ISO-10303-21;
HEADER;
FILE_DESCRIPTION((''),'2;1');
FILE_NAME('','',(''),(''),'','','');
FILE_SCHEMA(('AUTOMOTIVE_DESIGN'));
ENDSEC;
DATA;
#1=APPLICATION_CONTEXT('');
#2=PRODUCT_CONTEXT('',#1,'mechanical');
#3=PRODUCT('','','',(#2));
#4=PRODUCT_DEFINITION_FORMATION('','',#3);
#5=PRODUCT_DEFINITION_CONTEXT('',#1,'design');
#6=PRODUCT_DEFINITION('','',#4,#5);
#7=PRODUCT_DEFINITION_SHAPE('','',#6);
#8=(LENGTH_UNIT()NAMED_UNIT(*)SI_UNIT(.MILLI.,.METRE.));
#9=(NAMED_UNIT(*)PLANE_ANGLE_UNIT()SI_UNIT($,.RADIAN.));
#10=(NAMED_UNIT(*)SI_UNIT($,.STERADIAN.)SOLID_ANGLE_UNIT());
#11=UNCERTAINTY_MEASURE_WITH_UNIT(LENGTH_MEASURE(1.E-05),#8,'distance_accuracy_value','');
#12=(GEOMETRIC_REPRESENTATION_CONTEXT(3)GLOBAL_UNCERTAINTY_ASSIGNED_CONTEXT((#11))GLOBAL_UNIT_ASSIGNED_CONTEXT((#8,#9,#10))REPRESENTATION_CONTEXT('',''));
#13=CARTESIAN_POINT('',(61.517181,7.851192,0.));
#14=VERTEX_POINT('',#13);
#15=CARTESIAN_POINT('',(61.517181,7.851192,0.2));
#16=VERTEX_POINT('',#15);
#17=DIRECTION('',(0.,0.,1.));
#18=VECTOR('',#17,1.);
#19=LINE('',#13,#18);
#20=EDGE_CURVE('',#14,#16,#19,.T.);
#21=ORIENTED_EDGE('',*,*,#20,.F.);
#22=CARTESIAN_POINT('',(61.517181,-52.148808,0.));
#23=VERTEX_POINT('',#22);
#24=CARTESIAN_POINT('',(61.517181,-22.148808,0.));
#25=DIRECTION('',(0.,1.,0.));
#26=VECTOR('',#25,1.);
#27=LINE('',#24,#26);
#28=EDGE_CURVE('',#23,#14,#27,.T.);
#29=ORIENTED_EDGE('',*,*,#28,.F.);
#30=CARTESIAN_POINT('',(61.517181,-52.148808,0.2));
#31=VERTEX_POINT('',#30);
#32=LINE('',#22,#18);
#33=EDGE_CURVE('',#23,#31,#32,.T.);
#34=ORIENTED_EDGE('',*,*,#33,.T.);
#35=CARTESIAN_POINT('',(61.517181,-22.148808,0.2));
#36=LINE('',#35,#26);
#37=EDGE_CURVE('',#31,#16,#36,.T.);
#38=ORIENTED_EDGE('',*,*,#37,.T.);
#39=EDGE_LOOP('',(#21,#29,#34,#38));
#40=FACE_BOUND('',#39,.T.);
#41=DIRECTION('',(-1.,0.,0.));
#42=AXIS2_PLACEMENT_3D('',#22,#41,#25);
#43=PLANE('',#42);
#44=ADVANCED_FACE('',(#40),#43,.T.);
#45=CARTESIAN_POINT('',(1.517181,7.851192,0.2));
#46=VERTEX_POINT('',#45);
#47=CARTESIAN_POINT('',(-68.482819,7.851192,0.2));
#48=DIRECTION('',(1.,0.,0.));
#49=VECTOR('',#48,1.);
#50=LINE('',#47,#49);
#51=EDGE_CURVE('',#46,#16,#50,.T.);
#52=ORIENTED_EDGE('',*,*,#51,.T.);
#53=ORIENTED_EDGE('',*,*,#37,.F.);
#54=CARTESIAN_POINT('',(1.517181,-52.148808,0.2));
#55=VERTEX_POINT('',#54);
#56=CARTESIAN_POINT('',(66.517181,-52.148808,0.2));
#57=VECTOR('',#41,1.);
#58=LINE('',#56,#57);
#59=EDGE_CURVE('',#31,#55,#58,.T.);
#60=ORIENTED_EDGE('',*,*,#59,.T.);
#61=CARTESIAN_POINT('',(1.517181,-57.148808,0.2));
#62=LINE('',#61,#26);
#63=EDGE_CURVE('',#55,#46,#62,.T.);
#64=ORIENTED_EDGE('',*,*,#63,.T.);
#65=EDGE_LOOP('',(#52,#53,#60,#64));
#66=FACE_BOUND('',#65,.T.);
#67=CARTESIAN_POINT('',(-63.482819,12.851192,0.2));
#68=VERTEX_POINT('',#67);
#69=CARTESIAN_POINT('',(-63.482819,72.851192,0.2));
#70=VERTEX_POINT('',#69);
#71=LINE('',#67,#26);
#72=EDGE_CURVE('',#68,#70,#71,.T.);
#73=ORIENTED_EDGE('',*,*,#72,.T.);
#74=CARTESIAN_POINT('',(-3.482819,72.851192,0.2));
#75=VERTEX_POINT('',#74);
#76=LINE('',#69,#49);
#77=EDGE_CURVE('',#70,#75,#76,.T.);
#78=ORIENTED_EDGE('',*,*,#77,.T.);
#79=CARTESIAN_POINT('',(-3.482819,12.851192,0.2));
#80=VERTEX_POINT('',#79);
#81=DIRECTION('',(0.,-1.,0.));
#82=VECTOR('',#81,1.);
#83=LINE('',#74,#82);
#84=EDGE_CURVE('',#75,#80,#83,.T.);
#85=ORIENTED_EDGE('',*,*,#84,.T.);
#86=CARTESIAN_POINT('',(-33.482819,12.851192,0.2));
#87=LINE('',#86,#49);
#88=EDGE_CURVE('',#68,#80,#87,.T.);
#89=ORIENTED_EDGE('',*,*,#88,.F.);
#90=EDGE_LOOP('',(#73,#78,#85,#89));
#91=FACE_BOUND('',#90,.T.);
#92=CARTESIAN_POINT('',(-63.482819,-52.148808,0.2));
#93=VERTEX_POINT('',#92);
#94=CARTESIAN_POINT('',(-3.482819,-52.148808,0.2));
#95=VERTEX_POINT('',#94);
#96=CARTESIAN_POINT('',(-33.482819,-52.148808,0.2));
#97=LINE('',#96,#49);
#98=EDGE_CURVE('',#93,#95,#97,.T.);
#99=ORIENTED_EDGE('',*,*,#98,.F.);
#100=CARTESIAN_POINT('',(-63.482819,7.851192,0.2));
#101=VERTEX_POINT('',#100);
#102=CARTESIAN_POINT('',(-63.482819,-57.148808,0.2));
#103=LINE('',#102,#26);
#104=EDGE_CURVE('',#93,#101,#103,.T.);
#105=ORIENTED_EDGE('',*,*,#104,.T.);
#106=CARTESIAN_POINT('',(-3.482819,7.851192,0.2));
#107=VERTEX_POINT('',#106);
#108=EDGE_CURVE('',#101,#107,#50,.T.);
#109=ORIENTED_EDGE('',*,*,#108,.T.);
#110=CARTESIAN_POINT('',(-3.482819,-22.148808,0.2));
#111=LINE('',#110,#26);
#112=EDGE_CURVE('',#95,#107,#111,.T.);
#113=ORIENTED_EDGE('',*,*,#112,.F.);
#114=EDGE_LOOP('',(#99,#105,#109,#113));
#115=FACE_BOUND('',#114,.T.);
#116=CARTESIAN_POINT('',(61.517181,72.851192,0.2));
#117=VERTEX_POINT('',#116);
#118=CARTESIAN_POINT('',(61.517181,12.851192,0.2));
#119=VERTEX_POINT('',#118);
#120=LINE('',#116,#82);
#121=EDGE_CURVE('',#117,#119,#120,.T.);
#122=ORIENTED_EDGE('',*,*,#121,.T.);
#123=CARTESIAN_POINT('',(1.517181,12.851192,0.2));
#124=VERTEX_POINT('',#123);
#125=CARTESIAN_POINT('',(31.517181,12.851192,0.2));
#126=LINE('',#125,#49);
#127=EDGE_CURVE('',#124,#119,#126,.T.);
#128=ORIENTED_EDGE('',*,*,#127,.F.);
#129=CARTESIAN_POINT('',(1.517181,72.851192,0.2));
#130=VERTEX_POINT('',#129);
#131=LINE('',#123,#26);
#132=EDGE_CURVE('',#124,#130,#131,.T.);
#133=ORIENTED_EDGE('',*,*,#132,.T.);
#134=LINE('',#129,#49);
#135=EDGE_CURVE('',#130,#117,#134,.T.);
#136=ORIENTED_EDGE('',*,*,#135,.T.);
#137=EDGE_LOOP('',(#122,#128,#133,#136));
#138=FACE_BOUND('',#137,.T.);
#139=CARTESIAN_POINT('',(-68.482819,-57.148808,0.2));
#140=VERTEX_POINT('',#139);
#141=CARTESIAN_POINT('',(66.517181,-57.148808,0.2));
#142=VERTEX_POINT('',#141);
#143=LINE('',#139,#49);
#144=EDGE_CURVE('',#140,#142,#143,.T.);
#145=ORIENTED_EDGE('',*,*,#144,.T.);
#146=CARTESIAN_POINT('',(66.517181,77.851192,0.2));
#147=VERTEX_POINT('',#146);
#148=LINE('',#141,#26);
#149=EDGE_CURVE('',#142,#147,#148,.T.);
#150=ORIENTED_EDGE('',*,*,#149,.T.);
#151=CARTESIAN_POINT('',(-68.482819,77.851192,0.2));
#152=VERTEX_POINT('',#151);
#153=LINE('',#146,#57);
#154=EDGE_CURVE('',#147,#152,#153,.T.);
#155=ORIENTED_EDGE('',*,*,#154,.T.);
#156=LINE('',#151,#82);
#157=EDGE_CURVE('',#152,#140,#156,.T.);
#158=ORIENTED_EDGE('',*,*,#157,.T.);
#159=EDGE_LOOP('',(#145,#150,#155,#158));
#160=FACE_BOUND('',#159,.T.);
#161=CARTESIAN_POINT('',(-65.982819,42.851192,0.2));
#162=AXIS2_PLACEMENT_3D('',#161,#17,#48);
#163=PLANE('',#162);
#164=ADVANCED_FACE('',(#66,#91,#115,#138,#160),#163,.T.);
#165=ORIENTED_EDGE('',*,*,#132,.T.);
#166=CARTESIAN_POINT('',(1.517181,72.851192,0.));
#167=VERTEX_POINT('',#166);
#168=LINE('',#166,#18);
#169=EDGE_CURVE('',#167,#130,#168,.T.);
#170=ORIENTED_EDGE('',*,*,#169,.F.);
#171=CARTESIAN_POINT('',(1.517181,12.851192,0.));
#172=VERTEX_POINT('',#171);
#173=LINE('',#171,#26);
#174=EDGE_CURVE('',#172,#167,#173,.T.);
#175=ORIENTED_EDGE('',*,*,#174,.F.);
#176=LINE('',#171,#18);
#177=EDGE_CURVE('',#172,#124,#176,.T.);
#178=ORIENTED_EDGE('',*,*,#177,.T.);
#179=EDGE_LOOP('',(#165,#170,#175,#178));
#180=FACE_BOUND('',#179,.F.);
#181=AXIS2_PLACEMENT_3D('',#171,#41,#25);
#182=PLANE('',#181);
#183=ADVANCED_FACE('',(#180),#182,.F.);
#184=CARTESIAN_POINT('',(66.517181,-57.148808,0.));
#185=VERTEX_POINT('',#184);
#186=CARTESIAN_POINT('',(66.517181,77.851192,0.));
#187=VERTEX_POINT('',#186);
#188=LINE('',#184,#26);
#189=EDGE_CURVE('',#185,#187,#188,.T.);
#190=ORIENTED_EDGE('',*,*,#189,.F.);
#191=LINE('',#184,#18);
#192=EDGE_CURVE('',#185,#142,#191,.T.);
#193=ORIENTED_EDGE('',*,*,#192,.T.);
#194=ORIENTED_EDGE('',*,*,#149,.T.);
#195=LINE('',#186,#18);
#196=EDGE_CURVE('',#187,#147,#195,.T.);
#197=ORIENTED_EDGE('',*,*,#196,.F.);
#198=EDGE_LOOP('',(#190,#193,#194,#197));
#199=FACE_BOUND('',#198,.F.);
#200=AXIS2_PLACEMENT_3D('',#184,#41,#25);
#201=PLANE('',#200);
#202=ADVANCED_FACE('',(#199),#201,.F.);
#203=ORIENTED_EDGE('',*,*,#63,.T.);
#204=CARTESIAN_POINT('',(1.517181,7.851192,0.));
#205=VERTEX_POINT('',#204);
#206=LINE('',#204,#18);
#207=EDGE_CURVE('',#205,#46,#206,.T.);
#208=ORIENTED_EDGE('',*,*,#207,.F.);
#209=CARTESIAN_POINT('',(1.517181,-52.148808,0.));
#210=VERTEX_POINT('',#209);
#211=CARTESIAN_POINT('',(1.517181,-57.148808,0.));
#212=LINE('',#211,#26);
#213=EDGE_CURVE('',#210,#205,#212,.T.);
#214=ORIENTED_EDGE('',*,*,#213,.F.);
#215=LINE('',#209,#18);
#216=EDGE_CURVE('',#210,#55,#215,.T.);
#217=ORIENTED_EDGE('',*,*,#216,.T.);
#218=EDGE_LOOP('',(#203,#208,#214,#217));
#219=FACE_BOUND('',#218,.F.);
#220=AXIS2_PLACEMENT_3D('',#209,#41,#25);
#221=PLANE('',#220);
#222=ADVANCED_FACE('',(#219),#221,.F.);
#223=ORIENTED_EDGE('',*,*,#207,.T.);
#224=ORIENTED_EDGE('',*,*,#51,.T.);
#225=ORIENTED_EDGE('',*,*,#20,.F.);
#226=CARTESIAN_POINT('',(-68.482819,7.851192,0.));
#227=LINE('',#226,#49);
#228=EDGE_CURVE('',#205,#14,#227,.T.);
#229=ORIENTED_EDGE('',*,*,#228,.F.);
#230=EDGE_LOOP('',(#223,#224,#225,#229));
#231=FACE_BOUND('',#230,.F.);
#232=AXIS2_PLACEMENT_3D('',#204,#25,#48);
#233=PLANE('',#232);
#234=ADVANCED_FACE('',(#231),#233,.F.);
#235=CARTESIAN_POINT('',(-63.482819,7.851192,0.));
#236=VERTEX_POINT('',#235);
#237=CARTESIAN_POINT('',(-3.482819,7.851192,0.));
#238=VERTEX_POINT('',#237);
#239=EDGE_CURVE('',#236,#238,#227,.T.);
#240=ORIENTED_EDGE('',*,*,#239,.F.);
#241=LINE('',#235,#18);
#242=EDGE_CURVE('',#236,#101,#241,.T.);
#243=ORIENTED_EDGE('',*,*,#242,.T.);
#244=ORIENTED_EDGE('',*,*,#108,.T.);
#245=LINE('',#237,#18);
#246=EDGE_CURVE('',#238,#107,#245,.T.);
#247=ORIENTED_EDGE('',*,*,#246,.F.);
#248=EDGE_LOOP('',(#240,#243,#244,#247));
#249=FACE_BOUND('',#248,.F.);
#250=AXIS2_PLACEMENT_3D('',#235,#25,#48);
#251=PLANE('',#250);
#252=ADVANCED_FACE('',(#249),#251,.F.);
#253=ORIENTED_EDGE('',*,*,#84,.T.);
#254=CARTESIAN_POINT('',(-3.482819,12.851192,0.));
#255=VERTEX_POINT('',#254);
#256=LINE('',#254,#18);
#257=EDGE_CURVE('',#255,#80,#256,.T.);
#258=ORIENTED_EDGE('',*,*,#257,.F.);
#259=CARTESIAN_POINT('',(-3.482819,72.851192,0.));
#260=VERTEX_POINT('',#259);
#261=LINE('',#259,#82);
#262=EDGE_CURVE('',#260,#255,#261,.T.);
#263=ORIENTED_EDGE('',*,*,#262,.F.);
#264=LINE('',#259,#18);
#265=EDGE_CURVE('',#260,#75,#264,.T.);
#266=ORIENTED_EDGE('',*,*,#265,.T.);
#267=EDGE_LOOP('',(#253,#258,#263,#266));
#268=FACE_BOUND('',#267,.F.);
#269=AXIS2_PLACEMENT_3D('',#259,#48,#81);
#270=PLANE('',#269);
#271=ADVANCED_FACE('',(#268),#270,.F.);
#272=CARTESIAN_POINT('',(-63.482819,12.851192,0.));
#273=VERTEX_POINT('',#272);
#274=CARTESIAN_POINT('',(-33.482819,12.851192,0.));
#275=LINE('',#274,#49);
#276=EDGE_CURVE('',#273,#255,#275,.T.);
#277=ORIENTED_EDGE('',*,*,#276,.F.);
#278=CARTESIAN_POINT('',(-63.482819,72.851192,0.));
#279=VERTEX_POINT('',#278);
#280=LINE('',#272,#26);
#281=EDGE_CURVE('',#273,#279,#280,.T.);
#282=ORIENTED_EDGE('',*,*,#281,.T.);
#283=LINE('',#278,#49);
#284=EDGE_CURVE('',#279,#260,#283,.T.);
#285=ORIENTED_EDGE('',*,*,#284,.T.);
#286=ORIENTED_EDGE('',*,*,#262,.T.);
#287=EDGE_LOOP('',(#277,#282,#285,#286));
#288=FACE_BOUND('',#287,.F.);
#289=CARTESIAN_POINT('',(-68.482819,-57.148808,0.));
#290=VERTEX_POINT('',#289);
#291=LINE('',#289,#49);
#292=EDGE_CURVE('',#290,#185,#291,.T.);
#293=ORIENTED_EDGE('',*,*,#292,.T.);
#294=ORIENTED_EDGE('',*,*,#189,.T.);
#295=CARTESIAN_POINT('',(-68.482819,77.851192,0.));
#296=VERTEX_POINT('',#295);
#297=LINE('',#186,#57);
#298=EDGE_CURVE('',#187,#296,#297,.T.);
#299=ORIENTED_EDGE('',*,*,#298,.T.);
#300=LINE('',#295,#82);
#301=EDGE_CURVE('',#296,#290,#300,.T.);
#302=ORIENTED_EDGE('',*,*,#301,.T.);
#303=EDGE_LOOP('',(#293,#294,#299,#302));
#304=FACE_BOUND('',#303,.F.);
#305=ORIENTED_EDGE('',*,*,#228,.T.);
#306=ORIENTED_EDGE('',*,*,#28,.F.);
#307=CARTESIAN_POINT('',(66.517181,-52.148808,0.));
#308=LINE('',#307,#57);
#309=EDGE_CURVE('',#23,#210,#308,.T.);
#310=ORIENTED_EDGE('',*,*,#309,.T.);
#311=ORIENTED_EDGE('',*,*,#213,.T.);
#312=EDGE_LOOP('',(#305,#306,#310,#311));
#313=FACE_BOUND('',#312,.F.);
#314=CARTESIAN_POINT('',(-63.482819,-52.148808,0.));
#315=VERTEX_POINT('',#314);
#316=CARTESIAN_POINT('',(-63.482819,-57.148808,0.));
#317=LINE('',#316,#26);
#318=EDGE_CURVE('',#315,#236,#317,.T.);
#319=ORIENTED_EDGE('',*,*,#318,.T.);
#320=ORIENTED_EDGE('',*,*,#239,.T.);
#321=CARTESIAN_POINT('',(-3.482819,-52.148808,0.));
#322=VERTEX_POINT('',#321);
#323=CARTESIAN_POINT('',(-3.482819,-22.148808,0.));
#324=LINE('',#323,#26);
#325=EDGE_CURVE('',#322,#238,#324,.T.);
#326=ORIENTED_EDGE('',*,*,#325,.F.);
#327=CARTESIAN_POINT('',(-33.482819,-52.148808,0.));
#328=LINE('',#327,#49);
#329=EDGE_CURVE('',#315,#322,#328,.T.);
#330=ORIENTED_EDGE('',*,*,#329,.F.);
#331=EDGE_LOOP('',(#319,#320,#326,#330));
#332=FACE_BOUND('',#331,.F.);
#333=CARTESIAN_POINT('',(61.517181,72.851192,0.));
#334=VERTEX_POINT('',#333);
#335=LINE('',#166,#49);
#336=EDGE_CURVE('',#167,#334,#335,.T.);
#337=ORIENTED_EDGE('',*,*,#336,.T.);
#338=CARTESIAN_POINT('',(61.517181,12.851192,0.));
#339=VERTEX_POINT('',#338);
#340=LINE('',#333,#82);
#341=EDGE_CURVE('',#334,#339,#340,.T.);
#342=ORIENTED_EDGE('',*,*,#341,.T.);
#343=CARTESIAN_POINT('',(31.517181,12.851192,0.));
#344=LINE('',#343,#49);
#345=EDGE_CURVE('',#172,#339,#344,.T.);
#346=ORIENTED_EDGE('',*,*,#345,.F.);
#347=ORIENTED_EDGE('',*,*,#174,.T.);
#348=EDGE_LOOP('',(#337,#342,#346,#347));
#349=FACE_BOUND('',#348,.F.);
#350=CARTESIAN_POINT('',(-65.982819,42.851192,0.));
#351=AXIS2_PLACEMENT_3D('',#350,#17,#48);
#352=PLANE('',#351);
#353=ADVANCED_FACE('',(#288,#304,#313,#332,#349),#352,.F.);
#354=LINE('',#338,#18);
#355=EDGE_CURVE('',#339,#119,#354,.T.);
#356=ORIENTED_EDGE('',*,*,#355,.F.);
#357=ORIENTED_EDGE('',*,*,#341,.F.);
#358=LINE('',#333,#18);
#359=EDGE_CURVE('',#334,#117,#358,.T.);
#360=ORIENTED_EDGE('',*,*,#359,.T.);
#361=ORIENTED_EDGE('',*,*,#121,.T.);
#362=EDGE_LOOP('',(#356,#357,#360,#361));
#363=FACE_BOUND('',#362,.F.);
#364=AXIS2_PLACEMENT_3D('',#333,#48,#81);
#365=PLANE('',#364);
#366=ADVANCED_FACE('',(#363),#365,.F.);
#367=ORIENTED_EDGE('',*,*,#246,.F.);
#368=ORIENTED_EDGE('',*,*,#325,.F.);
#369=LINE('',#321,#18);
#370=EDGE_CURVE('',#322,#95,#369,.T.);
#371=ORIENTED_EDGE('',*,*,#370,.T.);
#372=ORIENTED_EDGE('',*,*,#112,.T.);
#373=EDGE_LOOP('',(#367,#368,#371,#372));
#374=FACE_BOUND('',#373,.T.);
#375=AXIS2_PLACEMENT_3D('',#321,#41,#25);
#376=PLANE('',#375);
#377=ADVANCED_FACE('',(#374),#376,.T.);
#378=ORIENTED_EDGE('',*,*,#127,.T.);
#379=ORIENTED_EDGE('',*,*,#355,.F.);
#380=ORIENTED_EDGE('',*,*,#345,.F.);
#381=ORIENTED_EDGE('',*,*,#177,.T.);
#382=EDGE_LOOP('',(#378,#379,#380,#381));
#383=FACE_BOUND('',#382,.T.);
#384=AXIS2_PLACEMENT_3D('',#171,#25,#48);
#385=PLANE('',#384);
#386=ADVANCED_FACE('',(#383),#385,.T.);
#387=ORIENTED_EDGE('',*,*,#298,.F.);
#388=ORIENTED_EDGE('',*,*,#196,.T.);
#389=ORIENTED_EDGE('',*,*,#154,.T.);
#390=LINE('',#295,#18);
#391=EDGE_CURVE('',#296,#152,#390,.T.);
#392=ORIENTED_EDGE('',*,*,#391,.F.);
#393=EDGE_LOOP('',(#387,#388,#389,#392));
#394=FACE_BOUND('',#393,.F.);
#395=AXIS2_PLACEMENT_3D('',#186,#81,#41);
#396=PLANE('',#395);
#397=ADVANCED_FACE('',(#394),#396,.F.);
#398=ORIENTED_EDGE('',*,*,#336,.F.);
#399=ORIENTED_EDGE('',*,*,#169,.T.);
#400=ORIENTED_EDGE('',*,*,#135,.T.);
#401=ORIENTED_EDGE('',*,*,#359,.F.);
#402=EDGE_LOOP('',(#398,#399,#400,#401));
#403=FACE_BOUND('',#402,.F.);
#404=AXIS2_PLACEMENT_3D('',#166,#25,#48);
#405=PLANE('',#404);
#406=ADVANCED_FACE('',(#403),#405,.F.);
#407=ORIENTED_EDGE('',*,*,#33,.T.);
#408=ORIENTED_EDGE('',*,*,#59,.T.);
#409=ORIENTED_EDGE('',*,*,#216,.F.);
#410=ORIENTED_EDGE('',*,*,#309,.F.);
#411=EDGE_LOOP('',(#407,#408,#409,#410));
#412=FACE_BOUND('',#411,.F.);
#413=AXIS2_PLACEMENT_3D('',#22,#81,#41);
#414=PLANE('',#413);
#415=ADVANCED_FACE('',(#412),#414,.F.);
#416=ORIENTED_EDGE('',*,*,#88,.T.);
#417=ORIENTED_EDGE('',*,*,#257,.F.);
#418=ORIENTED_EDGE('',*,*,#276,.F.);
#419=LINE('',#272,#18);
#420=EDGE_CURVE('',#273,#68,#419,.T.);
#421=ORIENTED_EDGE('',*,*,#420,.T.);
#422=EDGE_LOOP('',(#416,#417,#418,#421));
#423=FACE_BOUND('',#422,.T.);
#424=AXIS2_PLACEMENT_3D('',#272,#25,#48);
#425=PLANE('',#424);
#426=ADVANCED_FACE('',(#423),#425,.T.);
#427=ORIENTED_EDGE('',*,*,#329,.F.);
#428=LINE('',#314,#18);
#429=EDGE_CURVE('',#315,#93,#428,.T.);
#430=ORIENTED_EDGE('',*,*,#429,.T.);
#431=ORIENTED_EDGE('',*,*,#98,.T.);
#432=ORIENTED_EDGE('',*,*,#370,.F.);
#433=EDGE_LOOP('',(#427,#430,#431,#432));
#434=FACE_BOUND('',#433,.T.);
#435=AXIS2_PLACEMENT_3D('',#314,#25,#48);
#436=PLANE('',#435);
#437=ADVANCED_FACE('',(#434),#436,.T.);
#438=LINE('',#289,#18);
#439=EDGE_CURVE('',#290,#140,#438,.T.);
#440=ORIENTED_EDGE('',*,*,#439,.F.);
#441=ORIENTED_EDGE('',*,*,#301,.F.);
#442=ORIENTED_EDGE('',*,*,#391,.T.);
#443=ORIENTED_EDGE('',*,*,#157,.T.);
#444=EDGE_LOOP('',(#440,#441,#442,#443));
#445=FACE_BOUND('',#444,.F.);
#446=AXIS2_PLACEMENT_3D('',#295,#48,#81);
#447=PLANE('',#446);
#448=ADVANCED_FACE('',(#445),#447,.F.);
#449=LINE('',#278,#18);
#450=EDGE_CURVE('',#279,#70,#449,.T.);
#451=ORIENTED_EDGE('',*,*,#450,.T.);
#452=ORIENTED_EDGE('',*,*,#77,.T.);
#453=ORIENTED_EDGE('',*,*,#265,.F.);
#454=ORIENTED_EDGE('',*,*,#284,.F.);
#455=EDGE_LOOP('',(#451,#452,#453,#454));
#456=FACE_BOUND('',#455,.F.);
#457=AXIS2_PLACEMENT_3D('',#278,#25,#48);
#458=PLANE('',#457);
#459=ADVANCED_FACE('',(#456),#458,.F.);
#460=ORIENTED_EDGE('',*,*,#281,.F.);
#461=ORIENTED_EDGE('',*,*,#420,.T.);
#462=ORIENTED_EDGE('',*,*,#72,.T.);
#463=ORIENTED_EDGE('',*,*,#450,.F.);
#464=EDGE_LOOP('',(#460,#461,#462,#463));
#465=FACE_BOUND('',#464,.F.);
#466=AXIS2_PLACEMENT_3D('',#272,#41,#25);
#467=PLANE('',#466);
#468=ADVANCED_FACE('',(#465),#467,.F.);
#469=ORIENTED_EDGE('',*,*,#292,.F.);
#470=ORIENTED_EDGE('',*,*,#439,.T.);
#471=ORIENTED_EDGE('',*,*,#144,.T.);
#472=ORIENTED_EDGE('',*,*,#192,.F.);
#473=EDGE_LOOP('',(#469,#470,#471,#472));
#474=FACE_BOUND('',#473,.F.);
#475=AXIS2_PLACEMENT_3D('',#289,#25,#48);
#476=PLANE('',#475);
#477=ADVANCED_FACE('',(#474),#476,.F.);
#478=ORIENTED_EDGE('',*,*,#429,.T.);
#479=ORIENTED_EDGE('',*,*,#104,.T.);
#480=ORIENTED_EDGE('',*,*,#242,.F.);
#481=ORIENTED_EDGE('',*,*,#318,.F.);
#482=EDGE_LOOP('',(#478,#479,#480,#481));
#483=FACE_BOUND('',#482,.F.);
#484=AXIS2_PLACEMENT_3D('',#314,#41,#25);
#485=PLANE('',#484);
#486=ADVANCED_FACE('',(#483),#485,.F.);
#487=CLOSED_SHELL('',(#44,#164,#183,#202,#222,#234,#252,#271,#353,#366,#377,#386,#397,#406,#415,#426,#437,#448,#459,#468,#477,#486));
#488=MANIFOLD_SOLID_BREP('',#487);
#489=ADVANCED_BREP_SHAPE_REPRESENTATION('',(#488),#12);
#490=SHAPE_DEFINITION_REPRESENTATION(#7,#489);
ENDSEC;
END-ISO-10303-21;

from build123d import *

# Parameters (mm, degrees)
F0_W     = 5
F0_H     = 60
F0_H_2   = 5
F0_W_2   = 60
F1_DEPTH = 0.2


with BuildPart() as f1:
    # F0 (on Top) → F1 (new body)
    with BuildSketch(Plane.XY):
        with Locations((-65.9828191251, 42.8511917304)):
            Rectangle(F0_W, F0_H)
        with Locations((-65.9828191251, 75.3511917304)):
            Rectangle(F0_W, F0_H_2)
        with Locations((-33.4828191251, 75.3511917304)):
            Rectangle(F0_W_2, F0_H_2)
        with Locations((-0.9828191251, 75.3511917304)):
            Rectangle(F0_W, F0_H_2)
        with Locations((-0.9828191251, 42.8511917304)):
            Rectangle(F0_W, F0_H)
        with Locations((31.5171808749, 75.3511917304)):
            Rectangle(F0_W_2, F0_H_2)
        with Locations((64.0171808749, 75.3511917304)):
            Rectangle(F0_W, F0_H_2)
        with Locations((64.0171808749, 42.8511917304)):
            Rectangle(F0_W, F0_H)
        with Locations((64.0171808749, 10.3511917304)):
            Rectangle(F0_W, F0_H_2)
        with Locations((31.5171808749, 10.3511917304)):
            Rectangle(F0_W_2, F0_H_2)
        with Locations((-0.9828191251, 10.3511917304)):
            Rectangle(F0_W, F0_H_2)
        with Locations((-33.4828191251, 10.3511917304)):
            Rectangle(F0_W_2, F0_H_2)
        with Locations((-65.9828191251, 10.3511917304)):
            Rectangle(F0_W, F0_H_2)
        with Locations((-65.9828191251, -22.1488082696)):
            Rectangle(F0_W, F0_H)
        with Locations((-0.9828191251, -22.1488082696)):
            Rectangle(F0_W, F0_H)
        with Locations((-65.9828191251, -54.6488082696)):
            Rectangle(F0_W, F0_H_2)
        with Locations((-33.4828191251, -54.6488082696)):
            Rectangle(F0_W_2, F0_H_2)
        with Locations((-0.9828191251, -54.6488082696)):
            Rectangle(F0_W, F0_H_2)
        with Locations((31.5171808749, -54.6488082696)):
            Rectangle(F0_W_2, F0_H_2)
        with Locations((64.0171808749, -54.6488082696)):
            Rectangle(F0_W, F0_H_2)
        with Locations((64.0171808749, -22.1488082696)):
            Rectangle(F0_W, F0_H)
    extrude(amount=F1_DEPTH)


solid = f1.part
